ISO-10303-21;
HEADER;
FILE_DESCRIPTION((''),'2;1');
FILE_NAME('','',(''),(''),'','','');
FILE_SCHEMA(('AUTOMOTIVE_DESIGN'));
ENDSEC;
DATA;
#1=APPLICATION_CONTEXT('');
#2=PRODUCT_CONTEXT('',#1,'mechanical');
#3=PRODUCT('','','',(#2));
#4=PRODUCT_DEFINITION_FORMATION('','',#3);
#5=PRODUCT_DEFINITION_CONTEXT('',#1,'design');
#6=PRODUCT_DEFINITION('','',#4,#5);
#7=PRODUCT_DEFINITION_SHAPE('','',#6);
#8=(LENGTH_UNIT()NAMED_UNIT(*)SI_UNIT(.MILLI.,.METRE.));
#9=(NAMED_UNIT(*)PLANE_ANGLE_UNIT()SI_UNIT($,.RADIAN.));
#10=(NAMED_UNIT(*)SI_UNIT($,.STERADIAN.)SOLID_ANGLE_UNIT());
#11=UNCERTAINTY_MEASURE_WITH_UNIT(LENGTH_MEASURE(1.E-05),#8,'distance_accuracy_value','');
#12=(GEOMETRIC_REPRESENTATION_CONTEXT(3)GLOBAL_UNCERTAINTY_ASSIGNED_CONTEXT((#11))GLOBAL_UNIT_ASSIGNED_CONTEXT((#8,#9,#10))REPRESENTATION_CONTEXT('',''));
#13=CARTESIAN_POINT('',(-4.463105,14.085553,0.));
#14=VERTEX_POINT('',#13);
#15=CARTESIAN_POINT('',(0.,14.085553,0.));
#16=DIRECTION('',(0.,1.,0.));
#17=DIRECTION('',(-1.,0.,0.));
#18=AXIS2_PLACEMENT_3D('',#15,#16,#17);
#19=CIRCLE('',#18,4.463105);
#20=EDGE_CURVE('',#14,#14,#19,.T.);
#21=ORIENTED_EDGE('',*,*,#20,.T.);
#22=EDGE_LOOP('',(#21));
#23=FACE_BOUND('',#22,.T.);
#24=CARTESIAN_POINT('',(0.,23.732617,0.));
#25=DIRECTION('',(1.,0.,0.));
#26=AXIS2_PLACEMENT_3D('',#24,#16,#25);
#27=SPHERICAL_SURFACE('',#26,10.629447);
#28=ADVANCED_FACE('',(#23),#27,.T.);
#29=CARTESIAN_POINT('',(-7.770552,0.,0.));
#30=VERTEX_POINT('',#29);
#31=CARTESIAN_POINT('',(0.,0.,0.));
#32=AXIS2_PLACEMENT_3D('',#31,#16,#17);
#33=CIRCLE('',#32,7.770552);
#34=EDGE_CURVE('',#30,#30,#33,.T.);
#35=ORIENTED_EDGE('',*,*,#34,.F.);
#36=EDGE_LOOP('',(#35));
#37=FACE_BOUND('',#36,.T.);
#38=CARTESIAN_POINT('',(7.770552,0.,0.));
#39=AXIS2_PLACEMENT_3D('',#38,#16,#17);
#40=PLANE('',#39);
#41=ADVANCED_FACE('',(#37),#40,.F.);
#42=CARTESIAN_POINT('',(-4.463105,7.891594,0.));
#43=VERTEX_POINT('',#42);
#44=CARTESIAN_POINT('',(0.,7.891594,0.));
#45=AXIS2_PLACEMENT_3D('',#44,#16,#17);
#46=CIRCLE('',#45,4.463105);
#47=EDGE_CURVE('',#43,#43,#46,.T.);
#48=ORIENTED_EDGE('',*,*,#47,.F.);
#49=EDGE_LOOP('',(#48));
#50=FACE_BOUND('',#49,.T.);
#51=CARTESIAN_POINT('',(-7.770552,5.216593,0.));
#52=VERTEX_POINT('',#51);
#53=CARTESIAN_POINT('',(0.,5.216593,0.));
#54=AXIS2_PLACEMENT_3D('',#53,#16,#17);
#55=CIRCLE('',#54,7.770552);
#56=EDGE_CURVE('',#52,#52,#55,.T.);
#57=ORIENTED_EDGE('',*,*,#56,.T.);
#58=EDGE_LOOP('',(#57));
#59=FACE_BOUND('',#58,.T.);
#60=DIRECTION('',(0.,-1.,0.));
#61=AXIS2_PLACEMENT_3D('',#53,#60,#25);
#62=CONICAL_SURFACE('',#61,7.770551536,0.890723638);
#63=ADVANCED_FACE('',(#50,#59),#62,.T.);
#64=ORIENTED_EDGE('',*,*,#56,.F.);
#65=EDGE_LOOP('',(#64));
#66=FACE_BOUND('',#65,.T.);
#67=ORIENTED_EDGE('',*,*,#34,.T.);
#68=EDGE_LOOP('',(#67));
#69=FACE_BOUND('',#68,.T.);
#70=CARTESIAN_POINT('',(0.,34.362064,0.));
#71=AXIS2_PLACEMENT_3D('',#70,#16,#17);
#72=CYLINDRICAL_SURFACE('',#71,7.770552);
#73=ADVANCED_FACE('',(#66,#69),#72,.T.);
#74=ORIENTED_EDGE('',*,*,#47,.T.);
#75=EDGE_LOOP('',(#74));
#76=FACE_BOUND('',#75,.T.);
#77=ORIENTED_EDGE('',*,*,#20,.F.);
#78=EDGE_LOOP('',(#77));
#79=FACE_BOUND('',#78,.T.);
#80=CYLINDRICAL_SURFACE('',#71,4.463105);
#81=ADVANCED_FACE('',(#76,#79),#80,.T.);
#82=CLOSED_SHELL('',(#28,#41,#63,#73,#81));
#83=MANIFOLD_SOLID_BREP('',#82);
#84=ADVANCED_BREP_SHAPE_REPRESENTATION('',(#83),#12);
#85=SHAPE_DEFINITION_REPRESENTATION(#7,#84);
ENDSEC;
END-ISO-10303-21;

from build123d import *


with BuildPart() as part:
    # Esquisse1 → Révolution1 (revolve)
    with BuildSketch(Plane.XY, mode=Mode.PRIVATE) as r_volution1_sk:
        with BuildLine():
            Line((0, 34.362064325), (0, 0))
            Line((0, 0), (7.770551536, 0))
            Line((7.770551536, 0), (7.770551536, 5.216592512))
            Line((7.770551536, 5.216592512), (4.463105144, 7.891594312))
            Line((4.463105144, 7.891594312), (4.463105144, 14.085553133))
            ThreePointArc((4.463105144, 14.085553133), (10.380946653, 26.017588847), (0, 34.362064325))
        make_face()
    revolve(r_volution1_sk.sketch.rotate(Axis((0, 34.362064325, 0), (0, -1, 0)), 180), axis=Axis((0, 34.362064325, 0), (0, -1, 0)))  # turned: the seam where the file's is


solid = part.part
